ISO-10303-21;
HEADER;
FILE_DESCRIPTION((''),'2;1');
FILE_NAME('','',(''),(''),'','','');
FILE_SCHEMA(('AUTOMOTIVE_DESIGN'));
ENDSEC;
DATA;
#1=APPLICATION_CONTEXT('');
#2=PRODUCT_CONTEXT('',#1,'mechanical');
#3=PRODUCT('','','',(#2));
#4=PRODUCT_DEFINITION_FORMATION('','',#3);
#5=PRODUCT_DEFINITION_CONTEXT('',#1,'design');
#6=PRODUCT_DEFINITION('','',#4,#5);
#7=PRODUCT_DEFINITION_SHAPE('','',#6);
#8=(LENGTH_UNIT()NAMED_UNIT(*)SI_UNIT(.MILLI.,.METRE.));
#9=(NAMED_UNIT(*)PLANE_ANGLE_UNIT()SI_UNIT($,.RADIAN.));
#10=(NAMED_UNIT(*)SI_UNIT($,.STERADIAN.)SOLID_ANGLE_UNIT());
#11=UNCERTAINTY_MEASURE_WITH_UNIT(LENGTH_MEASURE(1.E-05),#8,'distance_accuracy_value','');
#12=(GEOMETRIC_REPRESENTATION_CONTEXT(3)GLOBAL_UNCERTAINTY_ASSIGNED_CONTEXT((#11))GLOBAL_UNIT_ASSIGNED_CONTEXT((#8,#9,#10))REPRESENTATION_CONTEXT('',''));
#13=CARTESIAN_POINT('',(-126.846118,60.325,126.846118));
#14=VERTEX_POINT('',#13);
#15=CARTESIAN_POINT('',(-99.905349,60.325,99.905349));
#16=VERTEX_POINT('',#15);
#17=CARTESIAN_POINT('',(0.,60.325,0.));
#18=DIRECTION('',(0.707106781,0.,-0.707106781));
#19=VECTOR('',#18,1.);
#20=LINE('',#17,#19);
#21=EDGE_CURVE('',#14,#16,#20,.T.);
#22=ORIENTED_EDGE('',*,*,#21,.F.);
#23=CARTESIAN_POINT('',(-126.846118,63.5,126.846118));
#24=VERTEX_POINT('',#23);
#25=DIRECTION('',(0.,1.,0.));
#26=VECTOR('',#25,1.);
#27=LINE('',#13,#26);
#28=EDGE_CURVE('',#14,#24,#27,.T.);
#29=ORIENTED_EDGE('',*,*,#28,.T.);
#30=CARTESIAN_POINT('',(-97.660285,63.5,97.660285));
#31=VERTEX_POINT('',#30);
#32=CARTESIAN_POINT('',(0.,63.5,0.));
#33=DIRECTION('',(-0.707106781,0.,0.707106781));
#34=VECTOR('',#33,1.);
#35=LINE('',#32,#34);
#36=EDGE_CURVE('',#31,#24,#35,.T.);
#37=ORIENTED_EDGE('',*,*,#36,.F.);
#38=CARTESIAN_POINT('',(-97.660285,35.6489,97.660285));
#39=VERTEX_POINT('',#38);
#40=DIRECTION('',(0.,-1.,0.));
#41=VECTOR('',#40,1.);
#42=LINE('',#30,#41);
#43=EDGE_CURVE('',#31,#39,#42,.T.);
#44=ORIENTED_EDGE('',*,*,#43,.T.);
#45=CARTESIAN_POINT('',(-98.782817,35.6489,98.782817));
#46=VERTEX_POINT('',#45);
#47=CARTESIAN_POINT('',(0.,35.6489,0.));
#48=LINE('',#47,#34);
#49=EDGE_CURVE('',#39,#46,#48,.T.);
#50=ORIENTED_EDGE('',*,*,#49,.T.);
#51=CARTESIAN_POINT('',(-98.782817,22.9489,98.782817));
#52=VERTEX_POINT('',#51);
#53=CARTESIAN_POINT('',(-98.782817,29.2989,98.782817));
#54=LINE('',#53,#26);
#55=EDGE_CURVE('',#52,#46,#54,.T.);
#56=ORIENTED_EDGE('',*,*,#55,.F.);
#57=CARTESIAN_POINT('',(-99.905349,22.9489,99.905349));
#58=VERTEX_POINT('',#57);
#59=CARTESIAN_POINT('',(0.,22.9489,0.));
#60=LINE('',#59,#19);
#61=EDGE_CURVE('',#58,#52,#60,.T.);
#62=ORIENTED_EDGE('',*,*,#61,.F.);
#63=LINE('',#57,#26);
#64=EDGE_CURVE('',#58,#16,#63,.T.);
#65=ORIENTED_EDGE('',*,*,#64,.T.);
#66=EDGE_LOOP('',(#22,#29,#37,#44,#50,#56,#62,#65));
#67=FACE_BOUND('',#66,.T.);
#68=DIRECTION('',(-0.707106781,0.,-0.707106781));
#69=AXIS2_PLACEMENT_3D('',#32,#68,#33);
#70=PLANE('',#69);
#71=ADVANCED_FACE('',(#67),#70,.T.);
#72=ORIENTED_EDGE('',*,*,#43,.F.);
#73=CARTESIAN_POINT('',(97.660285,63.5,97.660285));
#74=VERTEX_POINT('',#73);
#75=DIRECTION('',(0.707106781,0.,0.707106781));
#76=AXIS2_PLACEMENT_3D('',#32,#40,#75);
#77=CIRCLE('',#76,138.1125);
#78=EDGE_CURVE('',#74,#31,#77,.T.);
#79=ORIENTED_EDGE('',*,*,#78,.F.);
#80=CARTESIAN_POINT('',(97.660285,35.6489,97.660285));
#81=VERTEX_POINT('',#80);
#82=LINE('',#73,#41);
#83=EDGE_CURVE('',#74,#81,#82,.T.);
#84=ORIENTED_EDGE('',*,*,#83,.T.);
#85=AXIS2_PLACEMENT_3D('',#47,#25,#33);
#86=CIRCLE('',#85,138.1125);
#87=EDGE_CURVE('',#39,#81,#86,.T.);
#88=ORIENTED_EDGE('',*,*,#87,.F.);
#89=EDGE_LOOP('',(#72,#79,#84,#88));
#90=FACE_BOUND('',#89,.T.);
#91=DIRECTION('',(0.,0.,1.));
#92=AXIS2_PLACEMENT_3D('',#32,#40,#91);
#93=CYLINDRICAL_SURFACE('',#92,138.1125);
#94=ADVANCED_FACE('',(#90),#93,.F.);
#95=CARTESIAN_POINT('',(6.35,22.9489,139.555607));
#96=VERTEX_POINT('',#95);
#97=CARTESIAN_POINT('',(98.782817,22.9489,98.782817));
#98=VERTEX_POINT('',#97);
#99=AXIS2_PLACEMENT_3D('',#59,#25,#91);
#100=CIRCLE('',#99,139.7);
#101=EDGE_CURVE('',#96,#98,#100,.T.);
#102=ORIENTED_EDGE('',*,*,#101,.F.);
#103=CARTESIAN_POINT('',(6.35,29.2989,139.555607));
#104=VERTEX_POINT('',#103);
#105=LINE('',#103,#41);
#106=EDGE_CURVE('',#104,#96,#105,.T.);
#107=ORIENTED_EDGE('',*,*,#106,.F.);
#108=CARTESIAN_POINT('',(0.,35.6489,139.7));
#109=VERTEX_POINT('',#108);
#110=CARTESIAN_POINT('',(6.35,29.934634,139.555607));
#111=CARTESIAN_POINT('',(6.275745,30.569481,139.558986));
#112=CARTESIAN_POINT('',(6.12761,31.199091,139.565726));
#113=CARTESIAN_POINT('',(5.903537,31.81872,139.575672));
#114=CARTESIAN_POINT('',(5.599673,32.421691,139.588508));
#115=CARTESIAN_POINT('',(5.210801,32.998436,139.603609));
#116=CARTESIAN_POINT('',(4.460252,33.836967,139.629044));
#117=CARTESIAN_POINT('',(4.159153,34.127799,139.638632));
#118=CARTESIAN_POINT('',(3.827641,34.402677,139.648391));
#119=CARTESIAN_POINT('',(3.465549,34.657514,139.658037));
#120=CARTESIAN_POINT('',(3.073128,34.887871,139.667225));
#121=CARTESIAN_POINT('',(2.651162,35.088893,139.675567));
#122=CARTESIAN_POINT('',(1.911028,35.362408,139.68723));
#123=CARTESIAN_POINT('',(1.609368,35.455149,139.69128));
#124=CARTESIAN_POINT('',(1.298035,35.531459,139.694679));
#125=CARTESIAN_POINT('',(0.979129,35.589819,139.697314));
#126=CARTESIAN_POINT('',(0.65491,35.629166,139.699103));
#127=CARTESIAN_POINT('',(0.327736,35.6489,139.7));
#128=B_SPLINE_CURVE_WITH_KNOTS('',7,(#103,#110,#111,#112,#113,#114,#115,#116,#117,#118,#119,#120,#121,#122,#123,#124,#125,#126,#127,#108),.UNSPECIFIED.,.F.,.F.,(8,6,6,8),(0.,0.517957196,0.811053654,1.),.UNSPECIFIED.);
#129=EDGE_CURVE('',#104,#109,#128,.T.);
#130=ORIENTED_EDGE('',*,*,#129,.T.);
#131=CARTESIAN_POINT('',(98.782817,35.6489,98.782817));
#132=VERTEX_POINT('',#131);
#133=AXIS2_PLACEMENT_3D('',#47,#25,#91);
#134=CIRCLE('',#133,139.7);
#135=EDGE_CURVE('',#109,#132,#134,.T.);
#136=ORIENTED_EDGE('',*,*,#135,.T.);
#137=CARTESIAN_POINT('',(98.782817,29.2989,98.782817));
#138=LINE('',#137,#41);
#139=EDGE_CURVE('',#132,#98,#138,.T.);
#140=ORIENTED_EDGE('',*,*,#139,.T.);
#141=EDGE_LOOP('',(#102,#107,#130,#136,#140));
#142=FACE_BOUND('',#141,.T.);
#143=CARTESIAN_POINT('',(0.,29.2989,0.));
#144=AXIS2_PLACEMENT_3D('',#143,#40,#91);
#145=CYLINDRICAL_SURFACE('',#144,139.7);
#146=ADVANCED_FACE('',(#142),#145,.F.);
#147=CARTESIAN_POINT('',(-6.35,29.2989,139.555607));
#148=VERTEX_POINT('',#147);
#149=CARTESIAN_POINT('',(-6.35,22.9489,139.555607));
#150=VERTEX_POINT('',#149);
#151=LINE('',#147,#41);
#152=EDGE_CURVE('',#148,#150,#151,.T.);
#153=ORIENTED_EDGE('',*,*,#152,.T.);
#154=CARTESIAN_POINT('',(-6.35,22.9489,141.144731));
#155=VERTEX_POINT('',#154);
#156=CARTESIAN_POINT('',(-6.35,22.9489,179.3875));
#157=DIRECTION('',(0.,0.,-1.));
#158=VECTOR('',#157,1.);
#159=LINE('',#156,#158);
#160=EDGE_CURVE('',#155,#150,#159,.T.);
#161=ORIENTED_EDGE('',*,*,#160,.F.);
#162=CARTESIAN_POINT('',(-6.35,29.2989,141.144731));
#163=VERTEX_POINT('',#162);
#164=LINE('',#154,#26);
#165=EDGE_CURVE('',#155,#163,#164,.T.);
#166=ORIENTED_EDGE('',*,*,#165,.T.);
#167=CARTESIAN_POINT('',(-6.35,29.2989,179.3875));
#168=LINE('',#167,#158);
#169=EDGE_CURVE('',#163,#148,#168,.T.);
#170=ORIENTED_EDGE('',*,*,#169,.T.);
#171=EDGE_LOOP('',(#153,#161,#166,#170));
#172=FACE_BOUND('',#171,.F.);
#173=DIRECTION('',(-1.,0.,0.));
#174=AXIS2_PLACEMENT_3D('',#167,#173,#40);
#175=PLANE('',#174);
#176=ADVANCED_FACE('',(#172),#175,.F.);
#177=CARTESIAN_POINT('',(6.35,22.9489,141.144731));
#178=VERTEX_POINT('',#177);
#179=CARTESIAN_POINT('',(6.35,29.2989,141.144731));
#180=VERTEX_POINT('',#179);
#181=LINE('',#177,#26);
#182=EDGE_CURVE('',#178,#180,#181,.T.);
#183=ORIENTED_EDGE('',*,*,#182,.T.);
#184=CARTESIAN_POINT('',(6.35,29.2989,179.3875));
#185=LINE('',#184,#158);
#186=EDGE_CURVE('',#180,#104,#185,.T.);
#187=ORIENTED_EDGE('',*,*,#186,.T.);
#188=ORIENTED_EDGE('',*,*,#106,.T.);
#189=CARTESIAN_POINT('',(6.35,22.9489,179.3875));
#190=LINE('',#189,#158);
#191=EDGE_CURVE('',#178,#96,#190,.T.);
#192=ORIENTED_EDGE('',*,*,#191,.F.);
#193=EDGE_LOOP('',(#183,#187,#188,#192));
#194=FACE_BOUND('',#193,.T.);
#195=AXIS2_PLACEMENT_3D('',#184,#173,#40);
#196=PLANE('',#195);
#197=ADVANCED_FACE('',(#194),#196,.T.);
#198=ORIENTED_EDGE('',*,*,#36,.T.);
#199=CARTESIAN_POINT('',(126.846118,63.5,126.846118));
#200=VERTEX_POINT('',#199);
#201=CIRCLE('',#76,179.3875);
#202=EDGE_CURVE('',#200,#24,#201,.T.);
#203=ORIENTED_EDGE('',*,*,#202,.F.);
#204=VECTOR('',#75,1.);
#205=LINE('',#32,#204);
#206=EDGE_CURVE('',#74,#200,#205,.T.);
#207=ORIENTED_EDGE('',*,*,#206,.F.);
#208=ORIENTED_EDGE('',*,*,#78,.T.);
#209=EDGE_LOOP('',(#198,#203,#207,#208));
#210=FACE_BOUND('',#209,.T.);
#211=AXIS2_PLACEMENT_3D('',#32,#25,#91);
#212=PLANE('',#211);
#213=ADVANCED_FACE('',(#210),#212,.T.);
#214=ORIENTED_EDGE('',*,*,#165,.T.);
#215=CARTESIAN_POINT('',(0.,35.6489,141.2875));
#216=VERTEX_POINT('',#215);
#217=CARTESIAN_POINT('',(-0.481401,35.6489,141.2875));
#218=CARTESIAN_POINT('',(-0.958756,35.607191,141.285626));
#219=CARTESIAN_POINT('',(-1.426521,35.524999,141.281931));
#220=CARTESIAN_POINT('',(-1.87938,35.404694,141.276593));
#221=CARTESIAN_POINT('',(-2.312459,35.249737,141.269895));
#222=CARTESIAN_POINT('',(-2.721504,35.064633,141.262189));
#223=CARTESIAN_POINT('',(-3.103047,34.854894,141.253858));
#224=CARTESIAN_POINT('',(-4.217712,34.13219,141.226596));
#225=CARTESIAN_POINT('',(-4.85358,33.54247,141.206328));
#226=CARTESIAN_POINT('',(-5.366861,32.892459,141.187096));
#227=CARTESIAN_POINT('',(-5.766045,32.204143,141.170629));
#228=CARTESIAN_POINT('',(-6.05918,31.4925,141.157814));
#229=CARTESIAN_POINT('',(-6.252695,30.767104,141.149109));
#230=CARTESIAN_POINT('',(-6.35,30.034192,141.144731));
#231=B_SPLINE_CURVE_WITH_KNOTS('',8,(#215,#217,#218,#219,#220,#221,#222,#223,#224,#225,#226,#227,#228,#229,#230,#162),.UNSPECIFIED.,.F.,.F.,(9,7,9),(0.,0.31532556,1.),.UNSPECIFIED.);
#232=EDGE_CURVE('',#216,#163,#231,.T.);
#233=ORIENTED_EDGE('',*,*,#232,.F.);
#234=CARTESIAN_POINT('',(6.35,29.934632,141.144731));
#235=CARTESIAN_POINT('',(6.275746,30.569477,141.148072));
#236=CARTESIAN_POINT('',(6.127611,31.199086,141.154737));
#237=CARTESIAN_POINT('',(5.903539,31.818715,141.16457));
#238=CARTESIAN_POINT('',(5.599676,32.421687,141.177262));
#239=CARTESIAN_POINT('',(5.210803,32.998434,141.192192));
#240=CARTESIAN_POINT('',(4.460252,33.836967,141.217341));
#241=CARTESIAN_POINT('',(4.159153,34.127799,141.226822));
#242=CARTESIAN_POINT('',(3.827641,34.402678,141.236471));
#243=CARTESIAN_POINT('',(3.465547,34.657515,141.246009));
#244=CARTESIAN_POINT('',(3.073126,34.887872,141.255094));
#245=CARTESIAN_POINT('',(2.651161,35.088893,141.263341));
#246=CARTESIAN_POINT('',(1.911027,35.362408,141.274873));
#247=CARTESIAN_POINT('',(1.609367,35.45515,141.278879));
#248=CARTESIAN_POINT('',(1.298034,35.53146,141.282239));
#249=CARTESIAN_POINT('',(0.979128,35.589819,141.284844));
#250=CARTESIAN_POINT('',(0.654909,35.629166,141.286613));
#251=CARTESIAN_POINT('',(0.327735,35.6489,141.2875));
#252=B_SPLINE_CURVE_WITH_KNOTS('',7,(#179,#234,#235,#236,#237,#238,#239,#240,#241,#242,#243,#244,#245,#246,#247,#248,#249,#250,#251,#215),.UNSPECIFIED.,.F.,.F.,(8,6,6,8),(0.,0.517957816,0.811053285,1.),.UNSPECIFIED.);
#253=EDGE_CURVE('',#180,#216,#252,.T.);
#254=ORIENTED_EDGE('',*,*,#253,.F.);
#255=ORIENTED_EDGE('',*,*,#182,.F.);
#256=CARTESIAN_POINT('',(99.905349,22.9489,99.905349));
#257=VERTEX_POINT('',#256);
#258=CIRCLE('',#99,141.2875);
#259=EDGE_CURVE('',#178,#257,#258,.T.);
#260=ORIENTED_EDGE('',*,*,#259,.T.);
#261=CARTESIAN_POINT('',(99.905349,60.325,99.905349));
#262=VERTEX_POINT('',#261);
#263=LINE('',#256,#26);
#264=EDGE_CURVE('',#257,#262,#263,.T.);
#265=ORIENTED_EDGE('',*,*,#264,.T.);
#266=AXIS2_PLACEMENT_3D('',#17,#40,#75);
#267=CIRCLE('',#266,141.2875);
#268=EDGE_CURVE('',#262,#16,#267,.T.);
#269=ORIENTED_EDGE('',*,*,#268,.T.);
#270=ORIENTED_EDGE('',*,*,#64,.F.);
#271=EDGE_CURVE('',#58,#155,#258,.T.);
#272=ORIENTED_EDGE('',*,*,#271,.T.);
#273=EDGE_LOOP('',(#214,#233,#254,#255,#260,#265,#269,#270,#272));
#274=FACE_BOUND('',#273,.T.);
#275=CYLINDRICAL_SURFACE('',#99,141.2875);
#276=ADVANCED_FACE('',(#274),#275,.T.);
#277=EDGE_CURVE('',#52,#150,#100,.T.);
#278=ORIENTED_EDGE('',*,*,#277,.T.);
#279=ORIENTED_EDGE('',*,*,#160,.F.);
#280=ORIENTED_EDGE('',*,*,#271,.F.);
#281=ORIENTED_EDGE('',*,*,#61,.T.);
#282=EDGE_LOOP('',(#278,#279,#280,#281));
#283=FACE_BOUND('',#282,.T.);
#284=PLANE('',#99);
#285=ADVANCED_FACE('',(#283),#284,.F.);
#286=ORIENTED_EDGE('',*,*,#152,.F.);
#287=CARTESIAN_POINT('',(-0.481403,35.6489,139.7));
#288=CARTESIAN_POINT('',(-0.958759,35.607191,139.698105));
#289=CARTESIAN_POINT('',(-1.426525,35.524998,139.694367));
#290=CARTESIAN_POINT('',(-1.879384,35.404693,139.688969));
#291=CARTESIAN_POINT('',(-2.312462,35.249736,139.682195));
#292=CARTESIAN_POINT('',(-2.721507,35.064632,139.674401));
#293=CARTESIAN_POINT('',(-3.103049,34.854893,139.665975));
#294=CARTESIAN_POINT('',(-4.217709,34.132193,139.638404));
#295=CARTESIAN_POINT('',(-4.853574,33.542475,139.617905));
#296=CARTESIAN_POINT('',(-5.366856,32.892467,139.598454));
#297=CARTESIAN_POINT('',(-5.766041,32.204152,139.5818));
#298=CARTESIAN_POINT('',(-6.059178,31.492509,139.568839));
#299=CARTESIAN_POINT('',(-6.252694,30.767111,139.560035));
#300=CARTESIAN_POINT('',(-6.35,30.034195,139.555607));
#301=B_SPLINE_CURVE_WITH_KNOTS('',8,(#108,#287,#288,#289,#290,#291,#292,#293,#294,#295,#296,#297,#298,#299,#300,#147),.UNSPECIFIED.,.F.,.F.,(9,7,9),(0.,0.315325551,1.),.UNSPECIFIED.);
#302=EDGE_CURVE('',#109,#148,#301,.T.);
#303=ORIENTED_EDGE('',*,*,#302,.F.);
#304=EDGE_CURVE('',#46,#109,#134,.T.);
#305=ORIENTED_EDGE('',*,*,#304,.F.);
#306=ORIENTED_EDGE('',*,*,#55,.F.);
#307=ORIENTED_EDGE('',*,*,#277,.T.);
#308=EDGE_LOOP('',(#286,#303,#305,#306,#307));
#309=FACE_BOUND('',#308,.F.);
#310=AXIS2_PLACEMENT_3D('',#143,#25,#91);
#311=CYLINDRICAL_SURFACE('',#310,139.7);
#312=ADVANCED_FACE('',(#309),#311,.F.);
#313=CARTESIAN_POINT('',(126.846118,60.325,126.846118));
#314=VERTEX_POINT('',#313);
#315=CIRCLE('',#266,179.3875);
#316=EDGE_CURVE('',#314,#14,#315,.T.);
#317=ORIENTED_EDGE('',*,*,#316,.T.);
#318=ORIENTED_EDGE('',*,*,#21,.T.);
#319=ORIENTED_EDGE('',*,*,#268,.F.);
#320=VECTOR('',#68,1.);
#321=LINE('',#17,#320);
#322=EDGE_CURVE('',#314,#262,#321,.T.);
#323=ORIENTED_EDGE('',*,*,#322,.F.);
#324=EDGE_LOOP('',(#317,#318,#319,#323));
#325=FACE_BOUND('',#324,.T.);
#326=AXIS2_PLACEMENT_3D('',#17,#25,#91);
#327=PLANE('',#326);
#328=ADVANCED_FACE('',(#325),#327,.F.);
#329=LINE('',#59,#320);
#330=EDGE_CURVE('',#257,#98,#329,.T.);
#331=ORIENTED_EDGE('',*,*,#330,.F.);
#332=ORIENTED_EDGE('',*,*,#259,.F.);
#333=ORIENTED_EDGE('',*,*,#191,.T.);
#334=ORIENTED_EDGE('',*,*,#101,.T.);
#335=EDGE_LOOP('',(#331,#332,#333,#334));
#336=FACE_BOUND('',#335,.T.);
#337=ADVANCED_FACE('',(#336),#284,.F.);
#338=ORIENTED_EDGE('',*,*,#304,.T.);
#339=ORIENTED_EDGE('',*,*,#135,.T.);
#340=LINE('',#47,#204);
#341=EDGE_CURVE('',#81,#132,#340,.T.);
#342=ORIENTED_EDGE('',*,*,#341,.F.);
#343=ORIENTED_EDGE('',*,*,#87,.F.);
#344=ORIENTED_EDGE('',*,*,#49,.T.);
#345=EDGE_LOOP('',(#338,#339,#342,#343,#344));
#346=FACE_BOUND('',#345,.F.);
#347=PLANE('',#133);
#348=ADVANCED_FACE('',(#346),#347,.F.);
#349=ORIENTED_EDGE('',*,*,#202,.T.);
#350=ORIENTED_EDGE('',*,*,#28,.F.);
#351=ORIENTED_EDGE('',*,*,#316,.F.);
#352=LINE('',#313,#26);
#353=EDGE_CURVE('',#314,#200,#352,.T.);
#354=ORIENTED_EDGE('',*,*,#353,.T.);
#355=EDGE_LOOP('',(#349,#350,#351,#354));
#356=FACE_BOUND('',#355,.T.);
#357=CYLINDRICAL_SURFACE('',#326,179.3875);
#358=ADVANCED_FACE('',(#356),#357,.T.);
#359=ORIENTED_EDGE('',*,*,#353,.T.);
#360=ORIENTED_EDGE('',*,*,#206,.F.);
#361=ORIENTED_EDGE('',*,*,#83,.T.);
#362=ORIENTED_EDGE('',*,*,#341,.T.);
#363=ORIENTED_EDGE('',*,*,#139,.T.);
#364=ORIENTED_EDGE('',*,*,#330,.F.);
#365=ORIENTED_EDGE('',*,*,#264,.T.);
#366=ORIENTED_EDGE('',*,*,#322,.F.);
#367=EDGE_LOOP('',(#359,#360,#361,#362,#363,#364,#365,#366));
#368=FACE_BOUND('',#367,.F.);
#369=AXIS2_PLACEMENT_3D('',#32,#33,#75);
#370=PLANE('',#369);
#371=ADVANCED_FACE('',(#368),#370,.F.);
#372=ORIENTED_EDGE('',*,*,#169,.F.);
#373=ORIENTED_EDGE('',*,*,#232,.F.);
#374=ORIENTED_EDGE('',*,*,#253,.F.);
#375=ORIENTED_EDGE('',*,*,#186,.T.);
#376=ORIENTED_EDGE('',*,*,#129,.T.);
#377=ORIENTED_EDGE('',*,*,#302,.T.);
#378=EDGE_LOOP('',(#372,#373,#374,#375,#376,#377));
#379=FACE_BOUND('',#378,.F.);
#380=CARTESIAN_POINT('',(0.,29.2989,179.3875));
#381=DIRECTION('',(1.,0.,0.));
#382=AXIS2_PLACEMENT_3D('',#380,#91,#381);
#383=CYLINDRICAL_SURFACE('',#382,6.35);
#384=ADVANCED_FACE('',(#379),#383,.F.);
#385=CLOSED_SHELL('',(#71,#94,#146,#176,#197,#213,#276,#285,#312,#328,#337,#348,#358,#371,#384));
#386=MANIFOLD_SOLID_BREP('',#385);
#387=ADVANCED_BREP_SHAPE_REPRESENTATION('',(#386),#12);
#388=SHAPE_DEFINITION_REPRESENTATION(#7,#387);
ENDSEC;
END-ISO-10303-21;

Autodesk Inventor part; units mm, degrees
ref_plane "YZ Plane" through (0, 0, 0) normal (1, 0, 0) x (0, 1, 0)
ref_plane "XZ Plane" through (0, 0, 0) normal (0, 1, 0) x (-1, 0, 0)
ref_plane "XY Plane" through (0, 0, 0) normal (0, 0, 1) x (1, 0, 0)
sketch "Sketch1" plane through (0, 0, 0) normal (1, 0, 0) x (0, 1, 0)
  line L0 (0, 0) -> (50.8, 0)
  line L1 (0, 138.1125) -> (26.719, 138.1125)
  line L2 (0, 138.1125) -> (0, 169.8625)
  line L3 (0, 169.8625) -> (3.175, 169.8625)
  line L4 (3.175, 169.8625) -> (3.175, 141.2875)
  line L5 (22.9489, 141.2875) -> (60.325, 141.2875)
  line L6 (60.325, 141.2875) -> (60.325, 179.3875)
  line L7 (60.325, 179.3875) -> (63.5, 179.3875)
  line L8 (63.5, 179.3875) -> (63.5, 138.1125)
  line L9 (63.5, 138.1125) -> (35.6489, 138.1125)
  line L10 (29.2989, 139.7) -> (22.9489, 139.7)
  line L11 (22.9489, 139.7) -> (22.9489, 141.2875)
  line L12 (29.2989, 139.7) -> (35.6489, 139.7)
  line L13 (35.6489, 139.7) -> (35.6489, 138.1125)
  line L14 (29.2989, 164.2178) -> (29.2989, 141.2875)
  point P0 (62.1333, 179.3875)
  dimension "d0" = 50.8
  dimension "d1" = 138.1125
  dimension "d2" = 31.75
  dimension "d3" = 3.175
  dimension "d4" = 3.175
  dimension "d5" = 57.15
  dimension "d6" = 38.1
  dimension "d7" = 3.175
  dimension "d13" = 26.1239
  dimension "d14" = 1.5875
  dimension "d15" = 6.35
  dimension "d16" = 6.35
revolve "Revolution1" add sketch "Sketch1" angle 360 about axis through (0, 0, 0) along (0, 1, 0)
ref_plane "Work Plane1" through (0, 62.1333, 179.3875) normal (0, 0, 1) x (1, 0, 0)
sketch "Sketch2" plane through (0, 62.1333, 179.3875) normal (0, 0, 1) x (1, 0, 0)
  arc A0 (6.35, -32.8344) -> (-6.35, -32.8344) centre (0, -32.8344) ccw
  line L0 (169.8625, -58.9583) -> (-169.8625, -58.9583) projected
  line L1 (-6.35, -32.8344) -> (-6.35, -39.1844)
  line L2 (141.2875, -39.1844) -> (-141.2875, -39.1844) projected
  line L3 (6.35, -32.8344) -> (6.35, -39.1844)
  line L4 (-6.35, -39.1844) -> (6.35, -39.1844)
  point P0 (0, -62.1333)
  dimension "d9" = 12.7
  dimension "d10" = 26.1239
extrude "Extrusion1" cut sketch "Sketch2" against normal through all
sketch "Sketch3" plane through (0, 63.5, 0) normal (0, 1, 0) x (1, 0, 0)
  line L0 (0, 0) -> (-271.4312, -271.4312)
  line L1 (0, 0) -> (383.8617, 0) construction
  line L2 (-271.4312, -271.4312) -> (-271.4312, 238.0261)
  line L3 (-271.4312, 238.0261) -> (250.2845, 238.0261)
  line L4 (0, 0) -> (271.4312, -271.4312)
  line L5 (0, 0) -> (383.8617, 0) construction
  line L6 (271.4312, -271.4312) -> (250.2845, 238.0261)
  dimension "d17" = 135
  dimension "d18" = 45
extrude "Extrusion2" cut sketch "Sketch3" against normal through all
properties part number "Layer2_Top_Quarter"
